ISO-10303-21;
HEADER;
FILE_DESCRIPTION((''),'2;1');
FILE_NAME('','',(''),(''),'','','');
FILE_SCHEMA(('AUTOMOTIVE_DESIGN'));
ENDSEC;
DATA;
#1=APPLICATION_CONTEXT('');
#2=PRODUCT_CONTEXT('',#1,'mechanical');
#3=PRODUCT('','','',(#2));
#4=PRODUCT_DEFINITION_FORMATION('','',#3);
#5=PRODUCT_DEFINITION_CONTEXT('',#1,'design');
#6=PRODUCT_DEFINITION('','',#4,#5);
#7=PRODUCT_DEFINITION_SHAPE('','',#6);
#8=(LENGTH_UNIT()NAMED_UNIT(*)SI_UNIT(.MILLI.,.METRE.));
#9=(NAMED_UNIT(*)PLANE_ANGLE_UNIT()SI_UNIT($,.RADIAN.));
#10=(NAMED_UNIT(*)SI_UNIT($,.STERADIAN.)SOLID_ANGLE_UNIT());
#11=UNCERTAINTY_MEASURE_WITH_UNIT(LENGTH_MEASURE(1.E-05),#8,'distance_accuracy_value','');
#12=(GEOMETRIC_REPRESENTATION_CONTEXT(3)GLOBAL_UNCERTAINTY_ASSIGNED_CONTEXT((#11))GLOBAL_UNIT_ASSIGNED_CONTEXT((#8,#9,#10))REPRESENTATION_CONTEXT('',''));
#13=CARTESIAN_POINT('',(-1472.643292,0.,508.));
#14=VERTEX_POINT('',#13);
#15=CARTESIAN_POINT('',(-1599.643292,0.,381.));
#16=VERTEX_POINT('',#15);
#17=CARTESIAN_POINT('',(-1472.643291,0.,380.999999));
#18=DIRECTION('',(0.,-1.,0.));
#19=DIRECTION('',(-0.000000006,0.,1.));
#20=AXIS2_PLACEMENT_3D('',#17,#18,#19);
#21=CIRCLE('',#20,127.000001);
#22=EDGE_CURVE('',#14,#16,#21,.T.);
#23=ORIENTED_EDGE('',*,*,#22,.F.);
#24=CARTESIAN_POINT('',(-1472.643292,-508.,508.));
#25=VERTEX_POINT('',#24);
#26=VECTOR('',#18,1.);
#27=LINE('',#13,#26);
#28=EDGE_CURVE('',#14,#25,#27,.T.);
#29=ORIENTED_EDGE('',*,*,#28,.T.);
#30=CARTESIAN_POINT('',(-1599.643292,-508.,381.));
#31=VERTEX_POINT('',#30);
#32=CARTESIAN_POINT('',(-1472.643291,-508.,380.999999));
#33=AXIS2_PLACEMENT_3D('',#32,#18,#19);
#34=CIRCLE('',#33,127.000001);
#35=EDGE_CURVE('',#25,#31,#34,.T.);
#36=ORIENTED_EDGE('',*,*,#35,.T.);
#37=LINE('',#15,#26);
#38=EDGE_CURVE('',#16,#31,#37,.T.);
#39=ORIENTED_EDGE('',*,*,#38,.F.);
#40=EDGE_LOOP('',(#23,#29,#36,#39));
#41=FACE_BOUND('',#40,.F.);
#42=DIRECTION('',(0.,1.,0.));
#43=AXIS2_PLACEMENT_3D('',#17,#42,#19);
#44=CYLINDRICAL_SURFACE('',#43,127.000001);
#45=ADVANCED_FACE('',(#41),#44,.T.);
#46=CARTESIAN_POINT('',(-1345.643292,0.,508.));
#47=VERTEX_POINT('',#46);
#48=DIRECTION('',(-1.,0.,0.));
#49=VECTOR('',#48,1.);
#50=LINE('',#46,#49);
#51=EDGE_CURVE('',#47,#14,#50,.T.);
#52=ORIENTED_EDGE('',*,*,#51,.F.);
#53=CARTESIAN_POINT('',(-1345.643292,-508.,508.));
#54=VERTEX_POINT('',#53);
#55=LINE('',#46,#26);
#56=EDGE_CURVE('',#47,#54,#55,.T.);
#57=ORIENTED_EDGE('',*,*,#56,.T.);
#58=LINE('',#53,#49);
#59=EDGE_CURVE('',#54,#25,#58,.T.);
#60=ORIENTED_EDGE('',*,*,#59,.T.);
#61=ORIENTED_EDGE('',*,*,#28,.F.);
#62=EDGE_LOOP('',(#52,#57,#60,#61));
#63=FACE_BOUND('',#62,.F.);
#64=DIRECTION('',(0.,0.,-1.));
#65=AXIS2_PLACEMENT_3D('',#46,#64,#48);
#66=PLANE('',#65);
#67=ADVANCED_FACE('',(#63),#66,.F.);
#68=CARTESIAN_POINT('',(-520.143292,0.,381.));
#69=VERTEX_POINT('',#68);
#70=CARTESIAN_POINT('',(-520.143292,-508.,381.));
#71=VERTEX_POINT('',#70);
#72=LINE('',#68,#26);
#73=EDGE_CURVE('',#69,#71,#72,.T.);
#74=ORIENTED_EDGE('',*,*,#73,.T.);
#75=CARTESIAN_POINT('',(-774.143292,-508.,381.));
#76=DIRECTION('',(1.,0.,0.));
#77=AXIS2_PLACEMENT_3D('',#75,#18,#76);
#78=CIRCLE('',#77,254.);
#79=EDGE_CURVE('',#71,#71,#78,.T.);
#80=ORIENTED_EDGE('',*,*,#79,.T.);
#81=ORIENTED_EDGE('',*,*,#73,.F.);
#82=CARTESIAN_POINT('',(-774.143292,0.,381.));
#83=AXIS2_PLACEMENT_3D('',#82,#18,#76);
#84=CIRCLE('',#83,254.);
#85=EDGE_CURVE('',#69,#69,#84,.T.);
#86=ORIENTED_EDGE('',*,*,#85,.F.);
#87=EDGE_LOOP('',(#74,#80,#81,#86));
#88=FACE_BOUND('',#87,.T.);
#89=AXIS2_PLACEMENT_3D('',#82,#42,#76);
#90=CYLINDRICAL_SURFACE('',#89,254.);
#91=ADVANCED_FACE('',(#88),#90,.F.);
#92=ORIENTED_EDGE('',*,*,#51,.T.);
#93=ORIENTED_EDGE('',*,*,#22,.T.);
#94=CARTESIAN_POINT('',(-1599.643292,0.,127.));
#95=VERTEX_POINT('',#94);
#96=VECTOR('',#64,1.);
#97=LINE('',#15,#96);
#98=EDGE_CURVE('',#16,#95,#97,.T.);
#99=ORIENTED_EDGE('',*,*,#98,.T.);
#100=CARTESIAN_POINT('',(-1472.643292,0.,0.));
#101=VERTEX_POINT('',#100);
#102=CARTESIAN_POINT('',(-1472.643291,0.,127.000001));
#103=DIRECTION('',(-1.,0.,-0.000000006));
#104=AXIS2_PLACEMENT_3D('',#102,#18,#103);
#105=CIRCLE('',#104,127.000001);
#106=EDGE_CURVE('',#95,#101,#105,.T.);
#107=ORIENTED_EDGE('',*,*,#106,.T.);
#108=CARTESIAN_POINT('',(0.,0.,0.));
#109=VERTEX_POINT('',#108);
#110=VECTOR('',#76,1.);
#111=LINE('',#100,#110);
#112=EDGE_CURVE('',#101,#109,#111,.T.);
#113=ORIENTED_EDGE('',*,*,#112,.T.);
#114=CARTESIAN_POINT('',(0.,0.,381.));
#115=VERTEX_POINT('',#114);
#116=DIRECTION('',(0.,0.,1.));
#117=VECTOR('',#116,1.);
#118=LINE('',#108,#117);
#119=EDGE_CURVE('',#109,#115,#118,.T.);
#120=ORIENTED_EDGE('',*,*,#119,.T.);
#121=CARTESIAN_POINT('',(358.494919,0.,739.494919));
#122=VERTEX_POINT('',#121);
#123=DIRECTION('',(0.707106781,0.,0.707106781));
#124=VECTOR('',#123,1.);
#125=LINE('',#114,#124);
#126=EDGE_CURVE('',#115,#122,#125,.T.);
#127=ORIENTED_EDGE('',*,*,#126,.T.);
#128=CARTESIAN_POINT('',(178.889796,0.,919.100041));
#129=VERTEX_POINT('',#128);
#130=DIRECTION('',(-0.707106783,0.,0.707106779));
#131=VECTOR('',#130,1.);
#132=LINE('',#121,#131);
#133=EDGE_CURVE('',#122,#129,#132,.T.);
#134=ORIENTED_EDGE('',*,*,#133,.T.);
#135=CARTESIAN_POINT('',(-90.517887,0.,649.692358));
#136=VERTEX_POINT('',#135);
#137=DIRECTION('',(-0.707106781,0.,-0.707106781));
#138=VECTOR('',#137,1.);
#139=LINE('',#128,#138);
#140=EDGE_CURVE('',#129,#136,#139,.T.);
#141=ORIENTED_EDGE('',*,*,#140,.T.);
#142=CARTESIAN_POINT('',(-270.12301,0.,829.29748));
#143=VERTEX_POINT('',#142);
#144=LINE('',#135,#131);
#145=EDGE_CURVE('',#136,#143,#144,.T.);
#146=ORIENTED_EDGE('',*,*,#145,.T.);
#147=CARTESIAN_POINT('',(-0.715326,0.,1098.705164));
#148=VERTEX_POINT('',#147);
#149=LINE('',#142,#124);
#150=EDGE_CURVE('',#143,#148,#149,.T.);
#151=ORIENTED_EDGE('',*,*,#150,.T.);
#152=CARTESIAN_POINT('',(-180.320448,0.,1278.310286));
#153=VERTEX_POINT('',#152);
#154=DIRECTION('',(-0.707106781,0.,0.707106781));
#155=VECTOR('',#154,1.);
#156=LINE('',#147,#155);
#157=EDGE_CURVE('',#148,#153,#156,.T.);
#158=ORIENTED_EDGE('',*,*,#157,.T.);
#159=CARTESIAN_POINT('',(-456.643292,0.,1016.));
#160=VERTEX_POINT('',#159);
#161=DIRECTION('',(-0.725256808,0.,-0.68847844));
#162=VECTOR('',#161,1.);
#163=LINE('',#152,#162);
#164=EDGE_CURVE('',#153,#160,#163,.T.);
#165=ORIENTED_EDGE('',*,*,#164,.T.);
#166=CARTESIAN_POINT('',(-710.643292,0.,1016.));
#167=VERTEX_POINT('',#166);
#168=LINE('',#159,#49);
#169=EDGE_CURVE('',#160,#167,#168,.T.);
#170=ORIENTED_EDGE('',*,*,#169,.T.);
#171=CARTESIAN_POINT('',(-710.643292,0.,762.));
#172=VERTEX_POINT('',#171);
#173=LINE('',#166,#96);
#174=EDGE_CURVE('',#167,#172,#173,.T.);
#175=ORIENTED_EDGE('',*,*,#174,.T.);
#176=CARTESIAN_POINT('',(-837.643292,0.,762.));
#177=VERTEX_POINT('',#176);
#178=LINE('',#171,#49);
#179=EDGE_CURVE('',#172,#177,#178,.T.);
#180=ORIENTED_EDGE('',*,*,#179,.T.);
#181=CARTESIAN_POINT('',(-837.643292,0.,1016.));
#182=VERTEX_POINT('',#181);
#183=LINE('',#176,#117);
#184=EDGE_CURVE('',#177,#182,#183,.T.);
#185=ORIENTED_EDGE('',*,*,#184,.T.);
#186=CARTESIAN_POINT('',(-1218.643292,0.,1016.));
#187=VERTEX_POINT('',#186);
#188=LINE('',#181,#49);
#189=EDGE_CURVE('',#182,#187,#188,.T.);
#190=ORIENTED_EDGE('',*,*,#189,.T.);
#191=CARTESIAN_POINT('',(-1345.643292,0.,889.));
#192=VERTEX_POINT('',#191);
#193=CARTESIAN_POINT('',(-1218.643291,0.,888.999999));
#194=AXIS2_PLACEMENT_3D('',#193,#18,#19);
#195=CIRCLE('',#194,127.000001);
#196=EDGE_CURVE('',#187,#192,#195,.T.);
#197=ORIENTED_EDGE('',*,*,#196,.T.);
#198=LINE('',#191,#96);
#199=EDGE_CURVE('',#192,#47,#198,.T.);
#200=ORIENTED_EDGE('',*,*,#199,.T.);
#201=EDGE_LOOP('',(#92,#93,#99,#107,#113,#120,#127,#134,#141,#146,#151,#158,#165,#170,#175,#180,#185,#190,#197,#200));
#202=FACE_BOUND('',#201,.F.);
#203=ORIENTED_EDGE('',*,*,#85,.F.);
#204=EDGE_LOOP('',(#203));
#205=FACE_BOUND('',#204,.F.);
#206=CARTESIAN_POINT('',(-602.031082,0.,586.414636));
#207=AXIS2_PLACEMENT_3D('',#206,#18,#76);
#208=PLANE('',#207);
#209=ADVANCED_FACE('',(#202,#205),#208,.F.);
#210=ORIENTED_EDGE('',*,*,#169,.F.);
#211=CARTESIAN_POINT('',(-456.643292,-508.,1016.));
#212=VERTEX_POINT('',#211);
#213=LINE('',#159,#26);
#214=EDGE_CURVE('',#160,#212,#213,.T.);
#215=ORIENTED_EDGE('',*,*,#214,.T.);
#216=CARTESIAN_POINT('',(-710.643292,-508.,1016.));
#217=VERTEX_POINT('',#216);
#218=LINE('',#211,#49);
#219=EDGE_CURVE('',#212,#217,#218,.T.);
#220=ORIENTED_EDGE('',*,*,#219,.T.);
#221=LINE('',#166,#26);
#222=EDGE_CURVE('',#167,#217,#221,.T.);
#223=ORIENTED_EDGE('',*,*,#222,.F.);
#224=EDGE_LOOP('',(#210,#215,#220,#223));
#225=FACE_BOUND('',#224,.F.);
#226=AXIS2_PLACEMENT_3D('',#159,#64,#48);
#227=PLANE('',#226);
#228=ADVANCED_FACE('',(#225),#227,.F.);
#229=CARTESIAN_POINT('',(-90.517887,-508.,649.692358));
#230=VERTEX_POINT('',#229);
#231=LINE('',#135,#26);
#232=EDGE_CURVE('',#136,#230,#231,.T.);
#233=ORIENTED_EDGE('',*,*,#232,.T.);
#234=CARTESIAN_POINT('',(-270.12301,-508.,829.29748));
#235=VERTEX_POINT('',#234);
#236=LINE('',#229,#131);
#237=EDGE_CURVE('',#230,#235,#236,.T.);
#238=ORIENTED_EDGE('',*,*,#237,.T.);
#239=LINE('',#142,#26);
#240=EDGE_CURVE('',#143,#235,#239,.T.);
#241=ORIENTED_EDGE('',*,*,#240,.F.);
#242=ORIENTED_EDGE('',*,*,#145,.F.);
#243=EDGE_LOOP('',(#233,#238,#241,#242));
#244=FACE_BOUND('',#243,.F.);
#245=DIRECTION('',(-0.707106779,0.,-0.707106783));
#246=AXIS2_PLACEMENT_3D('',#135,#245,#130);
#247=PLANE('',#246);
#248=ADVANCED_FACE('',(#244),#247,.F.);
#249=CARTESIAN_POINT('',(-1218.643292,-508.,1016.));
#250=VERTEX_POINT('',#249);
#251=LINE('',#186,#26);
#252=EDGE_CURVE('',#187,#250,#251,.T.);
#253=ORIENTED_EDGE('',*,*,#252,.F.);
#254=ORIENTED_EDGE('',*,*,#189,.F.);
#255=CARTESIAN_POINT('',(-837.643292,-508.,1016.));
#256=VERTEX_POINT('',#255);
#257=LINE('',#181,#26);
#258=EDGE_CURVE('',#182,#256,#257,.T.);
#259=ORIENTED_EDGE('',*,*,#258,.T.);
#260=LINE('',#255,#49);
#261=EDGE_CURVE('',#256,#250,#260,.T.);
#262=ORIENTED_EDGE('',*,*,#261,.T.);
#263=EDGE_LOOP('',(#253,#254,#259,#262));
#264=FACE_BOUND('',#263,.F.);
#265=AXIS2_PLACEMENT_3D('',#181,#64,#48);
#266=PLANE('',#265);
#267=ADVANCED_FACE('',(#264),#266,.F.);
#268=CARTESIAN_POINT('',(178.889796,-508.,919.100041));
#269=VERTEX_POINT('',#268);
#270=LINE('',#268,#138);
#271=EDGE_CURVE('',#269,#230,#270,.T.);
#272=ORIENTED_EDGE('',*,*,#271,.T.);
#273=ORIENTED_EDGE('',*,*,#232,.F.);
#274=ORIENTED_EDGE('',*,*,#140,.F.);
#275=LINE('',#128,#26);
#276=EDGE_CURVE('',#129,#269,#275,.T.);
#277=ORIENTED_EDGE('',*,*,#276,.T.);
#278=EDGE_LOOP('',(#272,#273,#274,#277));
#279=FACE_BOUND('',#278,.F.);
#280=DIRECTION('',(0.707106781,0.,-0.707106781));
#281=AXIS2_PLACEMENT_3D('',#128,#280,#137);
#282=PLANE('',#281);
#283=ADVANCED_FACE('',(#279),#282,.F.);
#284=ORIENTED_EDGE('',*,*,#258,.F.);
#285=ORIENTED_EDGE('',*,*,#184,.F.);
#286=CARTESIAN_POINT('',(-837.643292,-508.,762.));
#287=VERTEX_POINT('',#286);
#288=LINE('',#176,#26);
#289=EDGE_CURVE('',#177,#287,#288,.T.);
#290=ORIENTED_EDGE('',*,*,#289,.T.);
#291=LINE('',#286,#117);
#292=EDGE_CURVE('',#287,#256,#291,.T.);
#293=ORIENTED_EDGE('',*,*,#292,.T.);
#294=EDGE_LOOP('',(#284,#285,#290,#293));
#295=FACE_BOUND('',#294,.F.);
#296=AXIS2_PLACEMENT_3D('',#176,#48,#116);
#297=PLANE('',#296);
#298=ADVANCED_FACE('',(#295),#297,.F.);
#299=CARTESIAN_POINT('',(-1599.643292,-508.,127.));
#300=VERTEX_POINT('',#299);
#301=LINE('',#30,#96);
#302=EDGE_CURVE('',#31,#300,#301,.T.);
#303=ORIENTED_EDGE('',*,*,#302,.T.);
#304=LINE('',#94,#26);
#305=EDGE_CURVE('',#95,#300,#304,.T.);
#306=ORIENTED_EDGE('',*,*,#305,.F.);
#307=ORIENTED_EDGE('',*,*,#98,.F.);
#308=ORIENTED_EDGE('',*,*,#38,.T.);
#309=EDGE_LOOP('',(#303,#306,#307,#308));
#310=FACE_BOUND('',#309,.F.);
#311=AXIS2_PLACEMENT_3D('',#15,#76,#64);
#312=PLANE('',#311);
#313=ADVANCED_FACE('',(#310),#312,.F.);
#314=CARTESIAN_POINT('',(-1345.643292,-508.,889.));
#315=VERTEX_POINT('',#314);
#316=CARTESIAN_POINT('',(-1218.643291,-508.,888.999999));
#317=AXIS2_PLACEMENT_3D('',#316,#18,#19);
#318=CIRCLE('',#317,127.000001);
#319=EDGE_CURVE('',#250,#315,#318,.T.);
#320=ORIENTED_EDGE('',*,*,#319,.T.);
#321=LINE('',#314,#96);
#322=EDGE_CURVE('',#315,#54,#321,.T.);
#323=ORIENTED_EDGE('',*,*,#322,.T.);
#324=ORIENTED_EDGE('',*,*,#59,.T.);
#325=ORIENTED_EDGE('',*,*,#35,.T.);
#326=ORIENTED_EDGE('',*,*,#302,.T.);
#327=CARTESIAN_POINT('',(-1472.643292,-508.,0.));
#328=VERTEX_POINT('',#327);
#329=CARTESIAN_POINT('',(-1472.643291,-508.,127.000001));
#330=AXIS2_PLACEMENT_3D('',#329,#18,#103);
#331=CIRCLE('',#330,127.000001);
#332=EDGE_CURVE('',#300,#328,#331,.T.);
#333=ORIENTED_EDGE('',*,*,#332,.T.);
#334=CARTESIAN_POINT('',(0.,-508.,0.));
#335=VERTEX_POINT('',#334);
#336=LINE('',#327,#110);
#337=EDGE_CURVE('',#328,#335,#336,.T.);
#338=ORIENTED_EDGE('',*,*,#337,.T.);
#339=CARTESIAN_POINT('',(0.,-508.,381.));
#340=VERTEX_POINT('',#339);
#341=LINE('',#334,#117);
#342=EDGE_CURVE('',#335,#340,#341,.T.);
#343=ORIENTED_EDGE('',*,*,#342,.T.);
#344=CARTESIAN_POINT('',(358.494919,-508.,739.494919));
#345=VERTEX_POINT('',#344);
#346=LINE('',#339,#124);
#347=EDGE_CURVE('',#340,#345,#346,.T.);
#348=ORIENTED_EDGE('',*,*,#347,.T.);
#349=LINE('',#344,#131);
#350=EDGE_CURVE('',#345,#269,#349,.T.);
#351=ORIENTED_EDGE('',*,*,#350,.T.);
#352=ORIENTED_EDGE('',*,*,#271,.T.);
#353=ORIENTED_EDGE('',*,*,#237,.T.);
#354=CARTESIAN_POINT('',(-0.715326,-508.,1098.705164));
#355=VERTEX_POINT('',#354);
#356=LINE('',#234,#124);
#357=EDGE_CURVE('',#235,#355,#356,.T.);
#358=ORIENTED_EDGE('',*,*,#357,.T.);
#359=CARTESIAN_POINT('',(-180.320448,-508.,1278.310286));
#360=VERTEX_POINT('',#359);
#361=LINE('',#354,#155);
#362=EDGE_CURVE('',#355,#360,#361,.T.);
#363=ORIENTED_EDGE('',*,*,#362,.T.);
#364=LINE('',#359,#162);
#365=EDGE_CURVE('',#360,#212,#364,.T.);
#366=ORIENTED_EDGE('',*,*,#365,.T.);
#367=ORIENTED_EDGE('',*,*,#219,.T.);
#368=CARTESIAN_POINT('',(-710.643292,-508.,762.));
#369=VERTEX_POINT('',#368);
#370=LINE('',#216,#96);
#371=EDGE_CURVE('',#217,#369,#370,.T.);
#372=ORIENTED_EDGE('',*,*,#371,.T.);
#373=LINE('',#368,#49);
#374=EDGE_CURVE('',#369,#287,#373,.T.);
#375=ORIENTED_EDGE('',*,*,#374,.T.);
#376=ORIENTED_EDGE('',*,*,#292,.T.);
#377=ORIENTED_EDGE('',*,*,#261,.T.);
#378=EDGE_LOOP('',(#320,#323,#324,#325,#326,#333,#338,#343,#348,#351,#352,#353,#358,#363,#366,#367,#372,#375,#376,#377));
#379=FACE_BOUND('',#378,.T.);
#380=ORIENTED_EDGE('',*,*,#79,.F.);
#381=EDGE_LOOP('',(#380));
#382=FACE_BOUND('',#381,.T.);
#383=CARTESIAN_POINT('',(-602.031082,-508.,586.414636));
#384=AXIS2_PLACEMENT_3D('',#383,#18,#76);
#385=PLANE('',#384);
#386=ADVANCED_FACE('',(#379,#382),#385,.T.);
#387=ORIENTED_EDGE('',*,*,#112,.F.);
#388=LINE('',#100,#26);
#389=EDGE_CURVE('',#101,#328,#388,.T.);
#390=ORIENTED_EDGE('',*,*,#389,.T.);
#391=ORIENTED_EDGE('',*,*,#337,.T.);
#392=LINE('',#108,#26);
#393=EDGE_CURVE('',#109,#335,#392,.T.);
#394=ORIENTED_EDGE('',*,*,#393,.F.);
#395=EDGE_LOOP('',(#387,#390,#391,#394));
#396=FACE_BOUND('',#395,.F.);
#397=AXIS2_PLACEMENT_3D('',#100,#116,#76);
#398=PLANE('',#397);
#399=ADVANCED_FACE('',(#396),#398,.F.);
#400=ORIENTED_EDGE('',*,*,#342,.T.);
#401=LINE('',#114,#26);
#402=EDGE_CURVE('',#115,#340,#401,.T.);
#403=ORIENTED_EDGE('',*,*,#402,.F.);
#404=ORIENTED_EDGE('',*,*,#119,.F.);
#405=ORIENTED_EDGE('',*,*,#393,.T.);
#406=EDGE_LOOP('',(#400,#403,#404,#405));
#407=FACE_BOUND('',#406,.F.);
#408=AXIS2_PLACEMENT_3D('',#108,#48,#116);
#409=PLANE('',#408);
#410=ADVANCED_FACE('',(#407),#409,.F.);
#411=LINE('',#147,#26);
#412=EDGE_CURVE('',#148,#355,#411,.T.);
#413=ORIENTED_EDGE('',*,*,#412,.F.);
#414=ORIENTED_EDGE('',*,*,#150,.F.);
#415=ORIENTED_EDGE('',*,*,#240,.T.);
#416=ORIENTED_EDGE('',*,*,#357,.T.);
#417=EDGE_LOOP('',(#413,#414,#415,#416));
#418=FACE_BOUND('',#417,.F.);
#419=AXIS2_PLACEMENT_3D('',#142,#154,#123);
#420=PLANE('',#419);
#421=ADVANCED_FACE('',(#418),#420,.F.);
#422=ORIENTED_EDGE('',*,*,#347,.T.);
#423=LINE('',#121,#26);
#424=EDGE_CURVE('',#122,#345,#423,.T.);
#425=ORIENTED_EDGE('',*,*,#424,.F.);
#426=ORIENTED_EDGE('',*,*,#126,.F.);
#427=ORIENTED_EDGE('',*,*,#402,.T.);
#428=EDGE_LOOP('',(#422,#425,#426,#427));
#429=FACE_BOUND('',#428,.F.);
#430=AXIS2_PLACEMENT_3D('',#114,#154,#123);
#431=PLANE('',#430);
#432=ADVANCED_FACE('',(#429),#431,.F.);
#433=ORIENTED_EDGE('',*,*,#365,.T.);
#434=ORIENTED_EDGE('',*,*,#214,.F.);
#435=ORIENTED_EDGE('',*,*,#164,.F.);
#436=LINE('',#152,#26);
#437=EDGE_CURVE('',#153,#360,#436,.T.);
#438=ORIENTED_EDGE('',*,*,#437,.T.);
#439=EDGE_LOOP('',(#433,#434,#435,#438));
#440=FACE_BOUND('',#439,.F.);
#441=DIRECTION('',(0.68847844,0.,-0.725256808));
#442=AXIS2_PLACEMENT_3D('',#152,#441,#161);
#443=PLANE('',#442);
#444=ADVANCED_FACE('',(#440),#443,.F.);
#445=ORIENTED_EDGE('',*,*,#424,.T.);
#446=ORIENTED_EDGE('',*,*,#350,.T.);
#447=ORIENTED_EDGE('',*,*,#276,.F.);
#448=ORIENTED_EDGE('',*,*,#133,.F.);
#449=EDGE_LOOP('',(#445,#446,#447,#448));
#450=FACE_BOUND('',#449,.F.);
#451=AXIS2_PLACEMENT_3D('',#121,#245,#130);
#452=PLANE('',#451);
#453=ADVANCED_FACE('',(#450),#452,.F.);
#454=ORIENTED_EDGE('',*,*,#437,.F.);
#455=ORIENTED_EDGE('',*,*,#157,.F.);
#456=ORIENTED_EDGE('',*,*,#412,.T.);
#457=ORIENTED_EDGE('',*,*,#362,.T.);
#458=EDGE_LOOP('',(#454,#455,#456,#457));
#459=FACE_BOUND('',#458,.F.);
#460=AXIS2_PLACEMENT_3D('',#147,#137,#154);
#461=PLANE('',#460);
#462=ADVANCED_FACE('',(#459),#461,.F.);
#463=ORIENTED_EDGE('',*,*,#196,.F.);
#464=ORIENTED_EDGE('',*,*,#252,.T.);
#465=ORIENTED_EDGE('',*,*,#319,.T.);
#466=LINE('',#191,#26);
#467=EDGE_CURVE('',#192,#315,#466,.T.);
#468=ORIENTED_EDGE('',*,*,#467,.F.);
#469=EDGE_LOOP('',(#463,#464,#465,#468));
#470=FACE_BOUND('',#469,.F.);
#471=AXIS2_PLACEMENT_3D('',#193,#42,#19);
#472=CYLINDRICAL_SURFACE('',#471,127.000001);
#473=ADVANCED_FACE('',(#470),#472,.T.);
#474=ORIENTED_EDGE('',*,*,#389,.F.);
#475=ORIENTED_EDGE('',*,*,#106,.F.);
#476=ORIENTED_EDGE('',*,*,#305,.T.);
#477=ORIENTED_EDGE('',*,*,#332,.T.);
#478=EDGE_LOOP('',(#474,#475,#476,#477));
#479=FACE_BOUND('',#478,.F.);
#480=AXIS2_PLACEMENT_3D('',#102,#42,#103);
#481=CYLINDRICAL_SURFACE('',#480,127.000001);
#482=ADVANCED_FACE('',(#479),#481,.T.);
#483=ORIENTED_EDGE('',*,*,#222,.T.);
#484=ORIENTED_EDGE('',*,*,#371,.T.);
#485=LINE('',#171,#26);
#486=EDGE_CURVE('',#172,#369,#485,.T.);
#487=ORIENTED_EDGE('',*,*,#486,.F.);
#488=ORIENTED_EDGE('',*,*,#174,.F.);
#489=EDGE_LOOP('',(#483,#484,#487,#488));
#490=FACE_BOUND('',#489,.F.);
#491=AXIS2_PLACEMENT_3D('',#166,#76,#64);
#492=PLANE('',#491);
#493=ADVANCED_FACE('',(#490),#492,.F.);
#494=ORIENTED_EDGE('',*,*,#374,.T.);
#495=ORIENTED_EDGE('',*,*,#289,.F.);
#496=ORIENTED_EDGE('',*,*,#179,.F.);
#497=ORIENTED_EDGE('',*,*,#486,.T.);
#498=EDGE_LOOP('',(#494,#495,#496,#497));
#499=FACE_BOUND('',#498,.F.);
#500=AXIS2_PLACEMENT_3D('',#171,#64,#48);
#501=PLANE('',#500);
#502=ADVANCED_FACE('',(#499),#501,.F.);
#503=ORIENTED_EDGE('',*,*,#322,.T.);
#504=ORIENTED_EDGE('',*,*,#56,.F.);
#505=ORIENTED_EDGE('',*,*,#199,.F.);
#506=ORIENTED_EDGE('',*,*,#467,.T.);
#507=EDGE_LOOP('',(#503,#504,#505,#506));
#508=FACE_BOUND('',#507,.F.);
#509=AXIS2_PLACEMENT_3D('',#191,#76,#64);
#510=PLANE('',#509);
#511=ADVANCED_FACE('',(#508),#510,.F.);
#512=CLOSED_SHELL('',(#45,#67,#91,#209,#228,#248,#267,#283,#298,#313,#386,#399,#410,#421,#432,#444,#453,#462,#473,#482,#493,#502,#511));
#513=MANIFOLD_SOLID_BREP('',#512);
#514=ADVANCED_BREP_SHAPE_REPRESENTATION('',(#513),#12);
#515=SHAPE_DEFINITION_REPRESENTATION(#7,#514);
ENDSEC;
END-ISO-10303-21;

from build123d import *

# Parameters (mm, degrees)
F0_R     = 254
F1_DEPTH = 508


with BuildPart() as f1:
    # F0 (on Front) → F1 (new body)
    with BuildSketch(Plane.XZ):
        with BuildLine():
            Line((-1472.643292, 0), (0, 0))
            Line((0, 0), (0, 381))
            Line((0, 381), (358.494919, 739.494919))
            Line((358.494919, 739.494919), (178.889796, 919.100041))
            Line((178.889796, 919.100041), (-90.517887, 649.692358))
            Line((-90.517887, 649.692358), (-270.12301, 829.29748))
            Line((-270.12301, 829.29748), (-0.715326, 1098.705164))
            Line((-0.715326, 1098.705164), (-180.320448, 1278.310286))
            Line((-180.320448, 1278.310286), (-456.643292, 1016))
            Line((-456.643292, 1016), (-710.643292, 1016))
            Line((-710.643292, 1016), (-710.643292, 762))
            Line((-710.643292, 762), (-837.643292, 762))
            Line((-837.643292, 762), (-837.643292, 1016))
            Line((-837.643292, 1016), (-1218.643292, 1016))
            ThreePointArc((-1218.643292, 1016), (-1308.445853, 978.802561), (-1345.643292, 889))
            Line((-1345.643292, 889), (-1345.643292, 508))
            Line((-1345.643292, 508), (-1472.643292, 508))
            ThreePointArc((-1472.643292, 508), (-1562.445853, 470.802561), (-1599.643292, 381))
            Line((-1599.643292, 381), (-1599.643292, 127))
            ThreePointArc((-1599.643292, 127), (-1562.445853, 37.197439), (-1472.643292, 0))
        make_face()
        with Locations((-774.143292, 381)):
            Circle(F0_R, mode=Mode.SUBTRACT)
    extrude(amount=F1_DEPTH)


solid = f1.part
